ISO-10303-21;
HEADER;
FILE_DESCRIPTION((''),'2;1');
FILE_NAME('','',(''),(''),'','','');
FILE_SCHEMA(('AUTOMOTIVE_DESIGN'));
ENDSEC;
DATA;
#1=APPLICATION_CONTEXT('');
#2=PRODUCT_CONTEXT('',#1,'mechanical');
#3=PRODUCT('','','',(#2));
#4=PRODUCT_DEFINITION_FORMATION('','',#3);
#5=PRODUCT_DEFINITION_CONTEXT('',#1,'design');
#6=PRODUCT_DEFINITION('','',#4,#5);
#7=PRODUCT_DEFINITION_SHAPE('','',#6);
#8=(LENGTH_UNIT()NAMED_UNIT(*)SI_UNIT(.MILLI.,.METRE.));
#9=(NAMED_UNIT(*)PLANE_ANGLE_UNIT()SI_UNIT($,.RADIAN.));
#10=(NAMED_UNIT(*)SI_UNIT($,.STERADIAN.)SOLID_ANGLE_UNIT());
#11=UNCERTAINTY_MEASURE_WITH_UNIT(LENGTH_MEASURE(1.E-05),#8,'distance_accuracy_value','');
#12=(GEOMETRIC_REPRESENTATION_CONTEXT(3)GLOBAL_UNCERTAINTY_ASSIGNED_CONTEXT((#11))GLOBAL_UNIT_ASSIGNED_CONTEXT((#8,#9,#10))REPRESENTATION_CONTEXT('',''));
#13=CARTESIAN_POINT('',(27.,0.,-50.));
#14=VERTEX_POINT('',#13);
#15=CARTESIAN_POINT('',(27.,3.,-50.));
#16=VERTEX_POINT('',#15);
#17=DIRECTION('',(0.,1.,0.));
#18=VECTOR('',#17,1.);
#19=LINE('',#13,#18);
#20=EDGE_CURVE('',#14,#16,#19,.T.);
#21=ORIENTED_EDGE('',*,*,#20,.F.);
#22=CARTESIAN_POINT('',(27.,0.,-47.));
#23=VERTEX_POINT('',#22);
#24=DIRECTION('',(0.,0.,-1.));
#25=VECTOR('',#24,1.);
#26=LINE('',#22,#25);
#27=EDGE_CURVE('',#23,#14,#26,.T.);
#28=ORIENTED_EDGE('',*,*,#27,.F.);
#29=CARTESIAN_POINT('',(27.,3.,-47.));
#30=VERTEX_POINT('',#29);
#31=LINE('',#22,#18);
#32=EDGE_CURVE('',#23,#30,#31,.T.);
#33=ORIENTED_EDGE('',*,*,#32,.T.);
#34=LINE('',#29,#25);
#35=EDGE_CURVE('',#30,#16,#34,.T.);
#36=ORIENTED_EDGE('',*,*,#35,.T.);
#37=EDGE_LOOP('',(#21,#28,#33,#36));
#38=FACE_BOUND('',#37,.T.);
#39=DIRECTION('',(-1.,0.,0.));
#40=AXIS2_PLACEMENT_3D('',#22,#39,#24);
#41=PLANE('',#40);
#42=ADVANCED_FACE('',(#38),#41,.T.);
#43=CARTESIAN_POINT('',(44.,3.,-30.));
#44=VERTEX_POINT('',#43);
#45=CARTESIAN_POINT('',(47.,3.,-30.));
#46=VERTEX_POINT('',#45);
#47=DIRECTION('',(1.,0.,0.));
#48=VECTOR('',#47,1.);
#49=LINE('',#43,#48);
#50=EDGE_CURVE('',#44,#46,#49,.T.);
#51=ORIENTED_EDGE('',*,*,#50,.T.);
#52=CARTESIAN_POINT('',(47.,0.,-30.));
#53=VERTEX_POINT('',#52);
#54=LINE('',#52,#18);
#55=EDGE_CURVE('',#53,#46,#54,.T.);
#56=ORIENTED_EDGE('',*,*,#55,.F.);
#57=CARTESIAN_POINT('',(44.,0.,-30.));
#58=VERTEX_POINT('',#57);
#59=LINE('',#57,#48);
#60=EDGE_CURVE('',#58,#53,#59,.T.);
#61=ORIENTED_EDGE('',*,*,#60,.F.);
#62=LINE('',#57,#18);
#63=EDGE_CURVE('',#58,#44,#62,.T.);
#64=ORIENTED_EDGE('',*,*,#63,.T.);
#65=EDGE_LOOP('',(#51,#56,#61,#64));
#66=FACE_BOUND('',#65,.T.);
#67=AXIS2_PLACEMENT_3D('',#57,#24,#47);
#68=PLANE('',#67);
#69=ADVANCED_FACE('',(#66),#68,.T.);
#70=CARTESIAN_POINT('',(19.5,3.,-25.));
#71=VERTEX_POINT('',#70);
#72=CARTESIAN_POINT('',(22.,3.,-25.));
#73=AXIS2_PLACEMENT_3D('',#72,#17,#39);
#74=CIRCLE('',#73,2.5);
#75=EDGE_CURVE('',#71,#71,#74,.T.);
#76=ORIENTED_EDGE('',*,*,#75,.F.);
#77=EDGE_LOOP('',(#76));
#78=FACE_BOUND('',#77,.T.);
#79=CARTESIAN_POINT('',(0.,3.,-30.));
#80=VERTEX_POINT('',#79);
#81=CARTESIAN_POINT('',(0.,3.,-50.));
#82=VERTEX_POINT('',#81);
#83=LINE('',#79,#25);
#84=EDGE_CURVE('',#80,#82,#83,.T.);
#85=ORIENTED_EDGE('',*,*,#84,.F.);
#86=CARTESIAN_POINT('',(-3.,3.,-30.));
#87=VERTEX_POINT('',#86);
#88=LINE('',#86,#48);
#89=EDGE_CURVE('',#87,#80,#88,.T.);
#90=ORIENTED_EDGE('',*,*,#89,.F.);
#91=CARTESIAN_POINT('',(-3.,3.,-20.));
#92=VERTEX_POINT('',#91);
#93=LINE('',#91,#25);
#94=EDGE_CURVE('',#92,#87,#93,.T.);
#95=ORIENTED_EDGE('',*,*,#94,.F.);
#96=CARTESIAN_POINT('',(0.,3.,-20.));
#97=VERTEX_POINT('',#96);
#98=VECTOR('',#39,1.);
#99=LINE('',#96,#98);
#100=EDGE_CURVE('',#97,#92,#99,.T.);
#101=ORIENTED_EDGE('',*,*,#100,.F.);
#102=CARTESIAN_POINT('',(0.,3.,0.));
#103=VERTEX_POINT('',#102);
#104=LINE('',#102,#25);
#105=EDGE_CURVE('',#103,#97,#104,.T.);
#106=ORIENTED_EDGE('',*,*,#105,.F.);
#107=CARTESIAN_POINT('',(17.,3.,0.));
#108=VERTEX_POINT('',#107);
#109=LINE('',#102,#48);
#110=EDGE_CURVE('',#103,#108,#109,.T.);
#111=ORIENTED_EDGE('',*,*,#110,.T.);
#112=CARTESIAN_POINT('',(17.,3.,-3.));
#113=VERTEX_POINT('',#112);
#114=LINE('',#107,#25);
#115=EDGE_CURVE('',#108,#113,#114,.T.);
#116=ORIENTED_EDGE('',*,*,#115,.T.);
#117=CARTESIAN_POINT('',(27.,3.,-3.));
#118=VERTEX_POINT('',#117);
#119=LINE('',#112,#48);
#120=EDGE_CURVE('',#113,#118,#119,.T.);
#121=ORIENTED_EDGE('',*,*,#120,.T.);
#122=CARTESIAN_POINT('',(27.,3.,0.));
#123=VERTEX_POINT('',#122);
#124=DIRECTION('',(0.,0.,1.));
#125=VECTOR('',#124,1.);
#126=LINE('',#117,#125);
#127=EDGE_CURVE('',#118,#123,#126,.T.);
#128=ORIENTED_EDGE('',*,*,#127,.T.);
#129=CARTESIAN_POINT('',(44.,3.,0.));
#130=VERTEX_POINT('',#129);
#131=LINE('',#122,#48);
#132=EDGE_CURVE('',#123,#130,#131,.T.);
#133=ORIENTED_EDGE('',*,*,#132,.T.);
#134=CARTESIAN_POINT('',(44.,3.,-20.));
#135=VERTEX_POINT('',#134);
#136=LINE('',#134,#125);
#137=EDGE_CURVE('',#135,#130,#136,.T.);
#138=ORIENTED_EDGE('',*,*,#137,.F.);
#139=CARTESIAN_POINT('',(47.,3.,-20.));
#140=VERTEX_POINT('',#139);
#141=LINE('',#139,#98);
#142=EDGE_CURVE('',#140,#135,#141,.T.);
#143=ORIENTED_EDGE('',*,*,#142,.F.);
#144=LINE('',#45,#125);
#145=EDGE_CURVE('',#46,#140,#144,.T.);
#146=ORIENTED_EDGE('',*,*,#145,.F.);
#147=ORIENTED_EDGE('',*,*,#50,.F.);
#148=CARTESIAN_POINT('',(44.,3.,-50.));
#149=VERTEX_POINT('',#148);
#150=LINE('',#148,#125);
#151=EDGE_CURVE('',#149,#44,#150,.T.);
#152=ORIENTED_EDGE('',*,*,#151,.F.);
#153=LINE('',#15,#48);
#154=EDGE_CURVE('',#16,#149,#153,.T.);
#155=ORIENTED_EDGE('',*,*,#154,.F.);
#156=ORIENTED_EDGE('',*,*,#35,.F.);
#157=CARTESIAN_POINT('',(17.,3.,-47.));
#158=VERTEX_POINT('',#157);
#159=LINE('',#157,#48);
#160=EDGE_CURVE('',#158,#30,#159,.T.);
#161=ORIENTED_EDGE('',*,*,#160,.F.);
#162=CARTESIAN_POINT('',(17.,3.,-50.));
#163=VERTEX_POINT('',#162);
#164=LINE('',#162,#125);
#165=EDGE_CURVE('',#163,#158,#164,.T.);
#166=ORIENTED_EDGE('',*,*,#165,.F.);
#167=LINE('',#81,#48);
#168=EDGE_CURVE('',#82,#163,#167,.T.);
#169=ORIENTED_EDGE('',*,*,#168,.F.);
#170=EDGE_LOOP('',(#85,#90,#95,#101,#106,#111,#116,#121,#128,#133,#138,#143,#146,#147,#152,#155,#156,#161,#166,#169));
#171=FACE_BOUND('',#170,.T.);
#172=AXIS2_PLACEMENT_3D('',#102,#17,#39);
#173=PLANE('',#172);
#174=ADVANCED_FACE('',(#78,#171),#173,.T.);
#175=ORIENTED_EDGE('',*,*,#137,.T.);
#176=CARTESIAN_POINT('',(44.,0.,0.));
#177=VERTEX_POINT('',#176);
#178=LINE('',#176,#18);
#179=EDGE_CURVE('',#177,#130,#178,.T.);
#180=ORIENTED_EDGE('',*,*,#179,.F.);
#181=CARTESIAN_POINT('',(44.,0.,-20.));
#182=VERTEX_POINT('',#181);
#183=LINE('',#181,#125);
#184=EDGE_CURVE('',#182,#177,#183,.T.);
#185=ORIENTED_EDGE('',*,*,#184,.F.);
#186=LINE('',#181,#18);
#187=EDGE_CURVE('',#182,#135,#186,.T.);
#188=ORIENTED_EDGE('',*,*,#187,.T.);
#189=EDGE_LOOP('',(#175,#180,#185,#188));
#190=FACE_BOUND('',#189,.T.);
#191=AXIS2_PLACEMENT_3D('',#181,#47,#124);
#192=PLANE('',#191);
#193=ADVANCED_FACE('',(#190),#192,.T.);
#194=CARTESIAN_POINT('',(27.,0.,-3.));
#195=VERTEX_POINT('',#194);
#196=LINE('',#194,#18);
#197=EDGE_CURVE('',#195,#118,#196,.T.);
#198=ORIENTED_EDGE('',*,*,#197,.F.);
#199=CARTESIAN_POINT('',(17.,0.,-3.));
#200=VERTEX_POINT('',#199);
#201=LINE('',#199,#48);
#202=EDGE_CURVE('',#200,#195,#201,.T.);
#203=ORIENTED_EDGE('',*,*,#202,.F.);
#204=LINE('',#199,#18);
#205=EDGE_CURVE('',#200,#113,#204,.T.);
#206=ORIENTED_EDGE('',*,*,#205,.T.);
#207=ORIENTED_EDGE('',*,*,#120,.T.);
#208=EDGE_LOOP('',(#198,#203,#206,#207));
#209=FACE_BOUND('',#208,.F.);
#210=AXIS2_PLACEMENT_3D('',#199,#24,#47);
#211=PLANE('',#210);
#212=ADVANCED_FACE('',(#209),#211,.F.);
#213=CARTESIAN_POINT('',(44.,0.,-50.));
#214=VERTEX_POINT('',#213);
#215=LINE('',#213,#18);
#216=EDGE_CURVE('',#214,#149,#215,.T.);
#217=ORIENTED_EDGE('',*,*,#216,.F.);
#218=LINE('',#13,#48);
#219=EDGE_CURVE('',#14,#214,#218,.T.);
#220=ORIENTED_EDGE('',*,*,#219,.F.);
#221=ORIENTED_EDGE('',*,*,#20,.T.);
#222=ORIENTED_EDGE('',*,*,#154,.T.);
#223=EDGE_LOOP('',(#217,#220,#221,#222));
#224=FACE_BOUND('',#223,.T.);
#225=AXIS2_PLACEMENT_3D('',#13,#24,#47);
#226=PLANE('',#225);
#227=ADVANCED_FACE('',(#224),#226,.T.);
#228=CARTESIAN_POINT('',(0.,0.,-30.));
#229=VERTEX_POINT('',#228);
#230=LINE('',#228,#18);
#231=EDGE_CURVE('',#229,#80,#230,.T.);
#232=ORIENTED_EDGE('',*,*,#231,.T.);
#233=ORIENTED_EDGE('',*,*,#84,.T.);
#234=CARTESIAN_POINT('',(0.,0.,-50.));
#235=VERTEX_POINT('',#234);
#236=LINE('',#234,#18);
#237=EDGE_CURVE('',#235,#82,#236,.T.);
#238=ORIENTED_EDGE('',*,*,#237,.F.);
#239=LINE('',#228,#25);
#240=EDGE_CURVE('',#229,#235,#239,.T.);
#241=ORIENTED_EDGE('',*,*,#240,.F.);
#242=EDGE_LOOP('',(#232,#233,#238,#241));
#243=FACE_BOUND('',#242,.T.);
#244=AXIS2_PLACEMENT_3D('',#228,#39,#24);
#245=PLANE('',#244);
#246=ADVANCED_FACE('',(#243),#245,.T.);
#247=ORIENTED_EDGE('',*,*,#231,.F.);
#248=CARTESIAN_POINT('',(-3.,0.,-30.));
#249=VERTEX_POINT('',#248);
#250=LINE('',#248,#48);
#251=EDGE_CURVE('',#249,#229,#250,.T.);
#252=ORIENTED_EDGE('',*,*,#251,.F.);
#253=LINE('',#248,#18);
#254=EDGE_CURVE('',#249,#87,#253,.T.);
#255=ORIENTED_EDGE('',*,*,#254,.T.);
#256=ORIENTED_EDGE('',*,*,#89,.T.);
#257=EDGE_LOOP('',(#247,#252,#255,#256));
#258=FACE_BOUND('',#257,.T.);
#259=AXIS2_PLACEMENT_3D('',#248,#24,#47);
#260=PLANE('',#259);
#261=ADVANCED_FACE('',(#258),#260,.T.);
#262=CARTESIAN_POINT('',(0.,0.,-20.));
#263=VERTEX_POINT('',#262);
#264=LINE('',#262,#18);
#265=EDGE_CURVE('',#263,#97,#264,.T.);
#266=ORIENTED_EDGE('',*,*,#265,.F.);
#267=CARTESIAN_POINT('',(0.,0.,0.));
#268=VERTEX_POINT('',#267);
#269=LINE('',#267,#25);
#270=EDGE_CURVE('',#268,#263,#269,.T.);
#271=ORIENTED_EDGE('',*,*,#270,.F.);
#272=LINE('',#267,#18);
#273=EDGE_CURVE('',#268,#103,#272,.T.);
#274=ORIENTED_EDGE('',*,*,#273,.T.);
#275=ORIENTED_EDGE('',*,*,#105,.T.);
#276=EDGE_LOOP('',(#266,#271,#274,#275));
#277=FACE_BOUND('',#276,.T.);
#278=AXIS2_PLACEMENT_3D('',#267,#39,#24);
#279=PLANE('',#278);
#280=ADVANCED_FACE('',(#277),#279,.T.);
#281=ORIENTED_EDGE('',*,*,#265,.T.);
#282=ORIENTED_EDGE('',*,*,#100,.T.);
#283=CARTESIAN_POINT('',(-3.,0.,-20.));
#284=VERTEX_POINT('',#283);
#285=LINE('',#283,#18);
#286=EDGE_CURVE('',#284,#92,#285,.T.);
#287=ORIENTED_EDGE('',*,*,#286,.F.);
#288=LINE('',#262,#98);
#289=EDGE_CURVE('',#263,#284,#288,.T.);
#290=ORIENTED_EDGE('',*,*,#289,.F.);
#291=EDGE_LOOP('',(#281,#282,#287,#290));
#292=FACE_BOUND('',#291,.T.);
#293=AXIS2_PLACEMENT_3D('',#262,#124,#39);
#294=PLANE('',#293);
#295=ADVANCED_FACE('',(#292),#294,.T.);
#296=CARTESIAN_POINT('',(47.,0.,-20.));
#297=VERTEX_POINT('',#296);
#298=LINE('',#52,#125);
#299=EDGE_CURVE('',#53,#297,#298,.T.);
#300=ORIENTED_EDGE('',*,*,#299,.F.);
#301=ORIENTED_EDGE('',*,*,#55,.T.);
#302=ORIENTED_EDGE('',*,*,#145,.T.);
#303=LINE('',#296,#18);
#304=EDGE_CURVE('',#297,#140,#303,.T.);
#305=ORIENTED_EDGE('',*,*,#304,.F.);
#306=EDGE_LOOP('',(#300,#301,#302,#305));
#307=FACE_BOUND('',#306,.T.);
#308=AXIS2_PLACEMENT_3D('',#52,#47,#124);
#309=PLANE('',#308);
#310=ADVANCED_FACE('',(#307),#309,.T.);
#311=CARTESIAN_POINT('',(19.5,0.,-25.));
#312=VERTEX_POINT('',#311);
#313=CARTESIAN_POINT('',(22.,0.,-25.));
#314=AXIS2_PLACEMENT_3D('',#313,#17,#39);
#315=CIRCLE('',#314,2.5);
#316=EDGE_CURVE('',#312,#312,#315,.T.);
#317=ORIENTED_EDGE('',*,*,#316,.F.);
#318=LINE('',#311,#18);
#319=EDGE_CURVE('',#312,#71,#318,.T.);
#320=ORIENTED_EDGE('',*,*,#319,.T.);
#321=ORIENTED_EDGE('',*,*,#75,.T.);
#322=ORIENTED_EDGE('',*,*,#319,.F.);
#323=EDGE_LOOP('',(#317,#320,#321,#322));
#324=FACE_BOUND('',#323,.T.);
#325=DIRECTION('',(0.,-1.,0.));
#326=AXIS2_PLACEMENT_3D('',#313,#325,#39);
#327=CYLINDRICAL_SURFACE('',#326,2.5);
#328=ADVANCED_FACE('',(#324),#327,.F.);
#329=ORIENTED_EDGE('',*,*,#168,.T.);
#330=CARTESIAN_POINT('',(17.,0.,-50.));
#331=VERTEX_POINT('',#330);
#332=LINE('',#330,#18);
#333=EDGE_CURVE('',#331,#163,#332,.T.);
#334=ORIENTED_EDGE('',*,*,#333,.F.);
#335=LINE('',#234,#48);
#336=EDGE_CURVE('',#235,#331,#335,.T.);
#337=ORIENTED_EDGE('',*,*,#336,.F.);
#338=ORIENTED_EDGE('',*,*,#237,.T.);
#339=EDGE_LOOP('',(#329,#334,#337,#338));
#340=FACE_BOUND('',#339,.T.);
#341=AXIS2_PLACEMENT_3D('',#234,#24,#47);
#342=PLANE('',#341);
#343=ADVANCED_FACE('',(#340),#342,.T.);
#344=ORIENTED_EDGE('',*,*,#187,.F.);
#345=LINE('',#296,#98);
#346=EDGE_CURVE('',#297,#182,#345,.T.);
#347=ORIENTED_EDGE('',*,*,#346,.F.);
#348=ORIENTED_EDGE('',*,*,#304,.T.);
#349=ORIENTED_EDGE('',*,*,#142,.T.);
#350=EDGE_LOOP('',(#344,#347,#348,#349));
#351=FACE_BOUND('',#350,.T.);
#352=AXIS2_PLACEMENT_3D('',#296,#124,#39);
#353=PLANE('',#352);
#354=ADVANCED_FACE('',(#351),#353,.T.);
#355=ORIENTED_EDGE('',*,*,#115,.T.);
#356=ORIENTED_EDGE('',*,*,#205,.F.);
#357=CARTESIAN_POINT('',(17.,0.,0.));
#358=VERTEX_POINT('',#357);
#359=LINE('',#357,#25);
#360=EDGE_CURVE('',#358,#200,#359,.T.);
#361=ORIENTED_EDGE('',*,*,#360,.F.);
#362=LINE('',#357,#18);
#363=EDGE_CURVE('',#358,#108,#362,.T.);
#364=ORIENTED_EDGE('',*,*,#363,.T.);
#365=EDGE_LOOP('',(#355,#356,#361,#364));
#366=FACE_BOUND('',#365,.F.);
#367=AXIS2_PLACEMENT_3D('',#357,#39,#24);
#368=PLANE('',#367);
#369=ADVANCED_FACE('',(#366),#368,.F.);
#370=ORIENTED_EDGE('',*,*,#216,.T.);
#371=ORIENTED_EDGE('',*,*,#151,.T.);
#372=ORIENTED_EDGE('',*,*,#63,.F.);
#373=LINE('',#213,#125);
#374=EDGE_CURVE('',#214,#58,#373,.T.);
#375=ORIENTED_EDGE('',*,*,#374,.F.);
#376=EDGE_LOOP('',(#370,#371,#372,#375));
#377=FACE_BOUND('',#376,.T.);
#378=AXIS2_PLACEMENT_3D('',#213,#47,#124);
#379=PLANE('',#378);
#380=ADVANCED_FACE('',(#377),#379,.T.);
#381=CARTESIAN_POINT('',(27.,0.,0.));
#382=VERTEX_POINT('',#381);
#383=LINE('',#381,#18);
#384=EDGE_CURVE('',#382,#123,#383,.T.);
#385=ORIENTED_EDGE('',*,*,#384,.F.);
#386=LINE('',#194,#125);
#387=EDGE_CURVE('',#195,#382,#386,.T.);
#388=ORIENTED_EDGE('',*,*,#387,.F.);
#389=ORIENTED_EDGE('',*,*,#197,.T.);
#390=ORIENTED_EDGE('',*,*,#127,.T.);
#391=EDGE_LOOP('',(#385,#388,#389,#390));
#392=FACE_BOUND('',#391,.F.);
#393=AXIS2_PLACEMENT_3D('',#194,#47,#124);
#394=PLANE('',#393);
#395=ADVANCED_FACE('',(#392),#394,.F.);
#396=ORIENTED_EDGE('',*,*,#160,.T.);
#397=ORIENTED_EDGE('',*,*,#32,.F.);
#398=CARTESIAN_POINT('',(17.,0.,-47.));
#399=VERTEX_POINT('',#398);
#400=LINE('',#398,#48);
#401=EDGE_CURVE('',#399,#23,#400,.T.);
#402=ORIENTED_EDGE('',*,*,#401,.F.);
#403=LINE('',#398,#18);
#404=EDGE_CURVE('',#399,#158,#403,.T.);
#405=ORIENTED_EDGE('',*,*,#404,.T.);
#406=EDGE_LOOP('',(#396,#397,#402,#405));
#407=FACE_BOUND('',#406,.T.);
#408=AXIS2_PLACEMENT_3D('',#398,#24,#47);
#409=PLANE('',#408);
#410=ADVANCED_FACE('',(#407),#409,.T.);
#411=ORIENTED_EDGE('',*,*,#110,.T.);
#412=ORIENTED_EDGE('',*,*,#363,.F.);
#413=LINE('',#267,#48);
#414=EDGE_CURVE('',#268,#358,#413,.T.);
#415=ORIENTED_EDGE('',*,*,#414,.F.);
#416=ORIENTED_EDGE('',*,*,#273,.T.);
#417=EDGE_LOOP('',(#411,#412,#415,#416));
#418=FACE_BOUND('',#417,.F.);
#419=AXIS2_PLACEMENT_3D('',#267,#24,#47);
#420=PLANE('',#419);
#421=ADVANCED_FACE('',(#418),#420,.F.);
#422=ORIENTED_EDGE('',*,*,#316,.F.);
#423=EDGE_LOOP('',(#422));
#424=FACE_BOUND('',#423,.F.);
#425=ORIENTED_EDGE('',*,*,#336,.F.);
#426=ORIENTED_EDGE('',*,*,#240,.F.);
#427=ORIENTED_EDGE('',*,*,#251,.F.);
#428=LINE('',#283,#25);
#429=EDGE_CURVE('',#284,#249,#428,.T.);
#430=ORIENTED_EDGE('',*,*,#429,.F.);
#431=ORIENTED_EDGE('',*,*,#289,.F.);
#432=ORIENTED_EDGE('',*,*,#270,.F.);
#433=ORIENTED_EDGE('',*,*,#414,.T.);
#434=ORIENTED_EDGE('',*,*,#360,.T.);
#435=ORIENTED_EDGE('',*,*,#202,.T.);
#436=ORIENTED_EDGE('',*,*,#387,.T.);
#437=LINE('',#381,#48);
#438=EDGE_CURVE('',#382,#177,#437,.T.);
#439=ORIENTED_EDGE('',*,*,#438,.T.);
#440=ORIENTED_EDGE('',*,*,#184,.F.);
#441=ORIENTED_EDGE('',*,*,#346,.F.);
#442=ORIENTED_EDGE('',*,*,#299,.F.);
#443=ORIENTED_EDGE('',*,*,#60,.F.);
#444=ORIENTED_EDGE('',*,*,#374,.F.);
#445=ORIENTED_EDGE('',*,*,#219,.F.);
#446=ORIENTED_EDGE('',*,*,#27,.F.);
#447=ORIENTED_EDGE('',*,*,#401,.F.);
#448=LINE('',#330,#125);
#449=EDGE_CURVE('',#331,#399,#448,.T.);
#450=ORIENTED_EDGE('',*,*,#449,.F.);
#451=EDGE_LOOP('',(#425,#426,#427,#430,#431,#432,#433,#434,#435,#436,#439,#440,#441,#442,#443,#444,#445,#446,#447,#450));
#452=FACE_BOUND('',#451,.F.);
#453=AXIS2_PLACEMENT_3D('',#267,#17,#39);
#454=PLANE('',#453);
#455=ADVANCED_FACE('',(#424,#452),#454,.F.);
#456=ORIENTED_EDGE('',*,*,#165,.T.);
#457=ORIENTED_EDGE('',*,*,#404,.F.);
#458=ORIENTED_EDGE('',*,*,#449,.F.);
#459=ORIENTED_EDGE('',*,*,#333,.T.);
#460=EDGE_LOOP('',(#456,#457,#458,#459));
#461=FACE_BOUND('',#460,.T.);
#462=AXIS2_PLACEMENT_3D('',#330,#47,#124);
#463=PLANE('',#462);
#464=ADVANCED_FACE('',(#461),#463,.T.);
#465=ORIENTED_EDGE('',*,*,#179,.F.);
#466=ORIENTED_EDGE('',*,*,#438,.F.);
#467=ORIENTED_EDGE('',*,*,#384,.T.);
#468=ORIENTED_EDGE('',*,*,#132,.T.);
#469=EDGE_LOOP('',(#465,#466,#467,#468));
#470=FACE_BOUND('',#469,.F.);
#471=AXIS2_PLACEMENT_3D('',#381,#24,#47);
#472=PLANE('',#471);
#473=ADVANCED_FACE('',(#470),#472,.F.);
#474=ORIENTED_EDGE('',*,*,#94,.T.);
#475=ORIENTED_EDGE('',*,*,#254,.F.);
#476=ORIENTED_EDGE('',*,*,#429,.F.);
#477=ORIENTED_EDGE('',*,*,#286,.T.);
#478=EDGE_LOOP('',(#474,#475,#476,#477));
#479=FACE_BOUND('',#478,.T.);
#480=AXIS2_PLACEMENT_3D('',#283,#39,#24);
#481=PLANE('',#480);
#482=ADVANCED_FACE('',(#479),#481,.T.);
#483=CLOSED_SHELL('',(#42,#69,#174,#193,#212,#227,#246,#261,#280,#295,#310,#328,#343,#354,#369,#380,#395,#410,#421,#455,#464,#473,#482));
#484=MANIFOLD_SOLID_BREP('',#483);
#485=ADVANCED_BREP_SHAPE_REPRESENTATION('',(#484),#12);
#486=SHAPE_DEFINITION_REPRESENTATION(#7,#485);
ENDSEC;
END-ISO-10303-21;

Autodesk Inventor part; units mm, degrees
ref_plane "YZ Plane" through (0, 0, 0) normal (1, 0, 0) x (0, 1, 0)
ref_plane "XZ Plane" through (0, 0, 0) normal (0, 1, 0) x (-1, 0, 0)
ref_plane "XY Plane" through (0, 0, 0) normal (0, 0, 1) x (1, 0, 0)
sketch "Sketch1" plane through (0, 0, 0) normal (0, 1, 0) x (-1, 0, 0)
  line L0 (0, 0) -> (0, -20)
  line L1 (0, -20) -> (3, -20)
  line L2 (3, -20) -> (3, -30)
  line L3 (3, -30) -> (0, -30)
  line L4 (0, -30) -> (0, -50)
  line L5 (0, -50) -> (-17, -50)
  line L6 (-17, -50) -> (-17, -47)
  line L7 (-17, -47) -> (-27, -47)
  line L8 (-27, -47) -> (-27, -50)
  line L9 (-27, -50) -> (-44, -50)
  line L10 (-44, -50) -> (-44, -30)
  line L11 (-44, -30) -> (-47, -30)
  line L12 (-47, -30) -> (-47, -20)
  line L13 (-47, -20) -> (-44, -20)
  line L14 (-44, -20) -> (-44, 0)
  line L15 (0, 0) -> (-17, 0)
  line L16 (-17, 0) -> (-17, -3)
  line L17 (-17, -3) -> (-27, -3)
  line L18 (-27, -3) -> (-27, 0)
  line L19 (-27, 0) -> (-44, 0)
  circle A0 centre (-22, -25) radius 2.5
  point P0 (3, -25)
  point P1 (-22, -3)
  dimension "d5" = 3
  dimension "d7" = 10
  dimension "d8" = 3
  dimension "d9" = 50
  dimension "d10" = 10
  dimension "d11" = 50
  dimension "d14" = 5
extrude "Extrusion2" add sketch "Sketch1" along normal blind 3
